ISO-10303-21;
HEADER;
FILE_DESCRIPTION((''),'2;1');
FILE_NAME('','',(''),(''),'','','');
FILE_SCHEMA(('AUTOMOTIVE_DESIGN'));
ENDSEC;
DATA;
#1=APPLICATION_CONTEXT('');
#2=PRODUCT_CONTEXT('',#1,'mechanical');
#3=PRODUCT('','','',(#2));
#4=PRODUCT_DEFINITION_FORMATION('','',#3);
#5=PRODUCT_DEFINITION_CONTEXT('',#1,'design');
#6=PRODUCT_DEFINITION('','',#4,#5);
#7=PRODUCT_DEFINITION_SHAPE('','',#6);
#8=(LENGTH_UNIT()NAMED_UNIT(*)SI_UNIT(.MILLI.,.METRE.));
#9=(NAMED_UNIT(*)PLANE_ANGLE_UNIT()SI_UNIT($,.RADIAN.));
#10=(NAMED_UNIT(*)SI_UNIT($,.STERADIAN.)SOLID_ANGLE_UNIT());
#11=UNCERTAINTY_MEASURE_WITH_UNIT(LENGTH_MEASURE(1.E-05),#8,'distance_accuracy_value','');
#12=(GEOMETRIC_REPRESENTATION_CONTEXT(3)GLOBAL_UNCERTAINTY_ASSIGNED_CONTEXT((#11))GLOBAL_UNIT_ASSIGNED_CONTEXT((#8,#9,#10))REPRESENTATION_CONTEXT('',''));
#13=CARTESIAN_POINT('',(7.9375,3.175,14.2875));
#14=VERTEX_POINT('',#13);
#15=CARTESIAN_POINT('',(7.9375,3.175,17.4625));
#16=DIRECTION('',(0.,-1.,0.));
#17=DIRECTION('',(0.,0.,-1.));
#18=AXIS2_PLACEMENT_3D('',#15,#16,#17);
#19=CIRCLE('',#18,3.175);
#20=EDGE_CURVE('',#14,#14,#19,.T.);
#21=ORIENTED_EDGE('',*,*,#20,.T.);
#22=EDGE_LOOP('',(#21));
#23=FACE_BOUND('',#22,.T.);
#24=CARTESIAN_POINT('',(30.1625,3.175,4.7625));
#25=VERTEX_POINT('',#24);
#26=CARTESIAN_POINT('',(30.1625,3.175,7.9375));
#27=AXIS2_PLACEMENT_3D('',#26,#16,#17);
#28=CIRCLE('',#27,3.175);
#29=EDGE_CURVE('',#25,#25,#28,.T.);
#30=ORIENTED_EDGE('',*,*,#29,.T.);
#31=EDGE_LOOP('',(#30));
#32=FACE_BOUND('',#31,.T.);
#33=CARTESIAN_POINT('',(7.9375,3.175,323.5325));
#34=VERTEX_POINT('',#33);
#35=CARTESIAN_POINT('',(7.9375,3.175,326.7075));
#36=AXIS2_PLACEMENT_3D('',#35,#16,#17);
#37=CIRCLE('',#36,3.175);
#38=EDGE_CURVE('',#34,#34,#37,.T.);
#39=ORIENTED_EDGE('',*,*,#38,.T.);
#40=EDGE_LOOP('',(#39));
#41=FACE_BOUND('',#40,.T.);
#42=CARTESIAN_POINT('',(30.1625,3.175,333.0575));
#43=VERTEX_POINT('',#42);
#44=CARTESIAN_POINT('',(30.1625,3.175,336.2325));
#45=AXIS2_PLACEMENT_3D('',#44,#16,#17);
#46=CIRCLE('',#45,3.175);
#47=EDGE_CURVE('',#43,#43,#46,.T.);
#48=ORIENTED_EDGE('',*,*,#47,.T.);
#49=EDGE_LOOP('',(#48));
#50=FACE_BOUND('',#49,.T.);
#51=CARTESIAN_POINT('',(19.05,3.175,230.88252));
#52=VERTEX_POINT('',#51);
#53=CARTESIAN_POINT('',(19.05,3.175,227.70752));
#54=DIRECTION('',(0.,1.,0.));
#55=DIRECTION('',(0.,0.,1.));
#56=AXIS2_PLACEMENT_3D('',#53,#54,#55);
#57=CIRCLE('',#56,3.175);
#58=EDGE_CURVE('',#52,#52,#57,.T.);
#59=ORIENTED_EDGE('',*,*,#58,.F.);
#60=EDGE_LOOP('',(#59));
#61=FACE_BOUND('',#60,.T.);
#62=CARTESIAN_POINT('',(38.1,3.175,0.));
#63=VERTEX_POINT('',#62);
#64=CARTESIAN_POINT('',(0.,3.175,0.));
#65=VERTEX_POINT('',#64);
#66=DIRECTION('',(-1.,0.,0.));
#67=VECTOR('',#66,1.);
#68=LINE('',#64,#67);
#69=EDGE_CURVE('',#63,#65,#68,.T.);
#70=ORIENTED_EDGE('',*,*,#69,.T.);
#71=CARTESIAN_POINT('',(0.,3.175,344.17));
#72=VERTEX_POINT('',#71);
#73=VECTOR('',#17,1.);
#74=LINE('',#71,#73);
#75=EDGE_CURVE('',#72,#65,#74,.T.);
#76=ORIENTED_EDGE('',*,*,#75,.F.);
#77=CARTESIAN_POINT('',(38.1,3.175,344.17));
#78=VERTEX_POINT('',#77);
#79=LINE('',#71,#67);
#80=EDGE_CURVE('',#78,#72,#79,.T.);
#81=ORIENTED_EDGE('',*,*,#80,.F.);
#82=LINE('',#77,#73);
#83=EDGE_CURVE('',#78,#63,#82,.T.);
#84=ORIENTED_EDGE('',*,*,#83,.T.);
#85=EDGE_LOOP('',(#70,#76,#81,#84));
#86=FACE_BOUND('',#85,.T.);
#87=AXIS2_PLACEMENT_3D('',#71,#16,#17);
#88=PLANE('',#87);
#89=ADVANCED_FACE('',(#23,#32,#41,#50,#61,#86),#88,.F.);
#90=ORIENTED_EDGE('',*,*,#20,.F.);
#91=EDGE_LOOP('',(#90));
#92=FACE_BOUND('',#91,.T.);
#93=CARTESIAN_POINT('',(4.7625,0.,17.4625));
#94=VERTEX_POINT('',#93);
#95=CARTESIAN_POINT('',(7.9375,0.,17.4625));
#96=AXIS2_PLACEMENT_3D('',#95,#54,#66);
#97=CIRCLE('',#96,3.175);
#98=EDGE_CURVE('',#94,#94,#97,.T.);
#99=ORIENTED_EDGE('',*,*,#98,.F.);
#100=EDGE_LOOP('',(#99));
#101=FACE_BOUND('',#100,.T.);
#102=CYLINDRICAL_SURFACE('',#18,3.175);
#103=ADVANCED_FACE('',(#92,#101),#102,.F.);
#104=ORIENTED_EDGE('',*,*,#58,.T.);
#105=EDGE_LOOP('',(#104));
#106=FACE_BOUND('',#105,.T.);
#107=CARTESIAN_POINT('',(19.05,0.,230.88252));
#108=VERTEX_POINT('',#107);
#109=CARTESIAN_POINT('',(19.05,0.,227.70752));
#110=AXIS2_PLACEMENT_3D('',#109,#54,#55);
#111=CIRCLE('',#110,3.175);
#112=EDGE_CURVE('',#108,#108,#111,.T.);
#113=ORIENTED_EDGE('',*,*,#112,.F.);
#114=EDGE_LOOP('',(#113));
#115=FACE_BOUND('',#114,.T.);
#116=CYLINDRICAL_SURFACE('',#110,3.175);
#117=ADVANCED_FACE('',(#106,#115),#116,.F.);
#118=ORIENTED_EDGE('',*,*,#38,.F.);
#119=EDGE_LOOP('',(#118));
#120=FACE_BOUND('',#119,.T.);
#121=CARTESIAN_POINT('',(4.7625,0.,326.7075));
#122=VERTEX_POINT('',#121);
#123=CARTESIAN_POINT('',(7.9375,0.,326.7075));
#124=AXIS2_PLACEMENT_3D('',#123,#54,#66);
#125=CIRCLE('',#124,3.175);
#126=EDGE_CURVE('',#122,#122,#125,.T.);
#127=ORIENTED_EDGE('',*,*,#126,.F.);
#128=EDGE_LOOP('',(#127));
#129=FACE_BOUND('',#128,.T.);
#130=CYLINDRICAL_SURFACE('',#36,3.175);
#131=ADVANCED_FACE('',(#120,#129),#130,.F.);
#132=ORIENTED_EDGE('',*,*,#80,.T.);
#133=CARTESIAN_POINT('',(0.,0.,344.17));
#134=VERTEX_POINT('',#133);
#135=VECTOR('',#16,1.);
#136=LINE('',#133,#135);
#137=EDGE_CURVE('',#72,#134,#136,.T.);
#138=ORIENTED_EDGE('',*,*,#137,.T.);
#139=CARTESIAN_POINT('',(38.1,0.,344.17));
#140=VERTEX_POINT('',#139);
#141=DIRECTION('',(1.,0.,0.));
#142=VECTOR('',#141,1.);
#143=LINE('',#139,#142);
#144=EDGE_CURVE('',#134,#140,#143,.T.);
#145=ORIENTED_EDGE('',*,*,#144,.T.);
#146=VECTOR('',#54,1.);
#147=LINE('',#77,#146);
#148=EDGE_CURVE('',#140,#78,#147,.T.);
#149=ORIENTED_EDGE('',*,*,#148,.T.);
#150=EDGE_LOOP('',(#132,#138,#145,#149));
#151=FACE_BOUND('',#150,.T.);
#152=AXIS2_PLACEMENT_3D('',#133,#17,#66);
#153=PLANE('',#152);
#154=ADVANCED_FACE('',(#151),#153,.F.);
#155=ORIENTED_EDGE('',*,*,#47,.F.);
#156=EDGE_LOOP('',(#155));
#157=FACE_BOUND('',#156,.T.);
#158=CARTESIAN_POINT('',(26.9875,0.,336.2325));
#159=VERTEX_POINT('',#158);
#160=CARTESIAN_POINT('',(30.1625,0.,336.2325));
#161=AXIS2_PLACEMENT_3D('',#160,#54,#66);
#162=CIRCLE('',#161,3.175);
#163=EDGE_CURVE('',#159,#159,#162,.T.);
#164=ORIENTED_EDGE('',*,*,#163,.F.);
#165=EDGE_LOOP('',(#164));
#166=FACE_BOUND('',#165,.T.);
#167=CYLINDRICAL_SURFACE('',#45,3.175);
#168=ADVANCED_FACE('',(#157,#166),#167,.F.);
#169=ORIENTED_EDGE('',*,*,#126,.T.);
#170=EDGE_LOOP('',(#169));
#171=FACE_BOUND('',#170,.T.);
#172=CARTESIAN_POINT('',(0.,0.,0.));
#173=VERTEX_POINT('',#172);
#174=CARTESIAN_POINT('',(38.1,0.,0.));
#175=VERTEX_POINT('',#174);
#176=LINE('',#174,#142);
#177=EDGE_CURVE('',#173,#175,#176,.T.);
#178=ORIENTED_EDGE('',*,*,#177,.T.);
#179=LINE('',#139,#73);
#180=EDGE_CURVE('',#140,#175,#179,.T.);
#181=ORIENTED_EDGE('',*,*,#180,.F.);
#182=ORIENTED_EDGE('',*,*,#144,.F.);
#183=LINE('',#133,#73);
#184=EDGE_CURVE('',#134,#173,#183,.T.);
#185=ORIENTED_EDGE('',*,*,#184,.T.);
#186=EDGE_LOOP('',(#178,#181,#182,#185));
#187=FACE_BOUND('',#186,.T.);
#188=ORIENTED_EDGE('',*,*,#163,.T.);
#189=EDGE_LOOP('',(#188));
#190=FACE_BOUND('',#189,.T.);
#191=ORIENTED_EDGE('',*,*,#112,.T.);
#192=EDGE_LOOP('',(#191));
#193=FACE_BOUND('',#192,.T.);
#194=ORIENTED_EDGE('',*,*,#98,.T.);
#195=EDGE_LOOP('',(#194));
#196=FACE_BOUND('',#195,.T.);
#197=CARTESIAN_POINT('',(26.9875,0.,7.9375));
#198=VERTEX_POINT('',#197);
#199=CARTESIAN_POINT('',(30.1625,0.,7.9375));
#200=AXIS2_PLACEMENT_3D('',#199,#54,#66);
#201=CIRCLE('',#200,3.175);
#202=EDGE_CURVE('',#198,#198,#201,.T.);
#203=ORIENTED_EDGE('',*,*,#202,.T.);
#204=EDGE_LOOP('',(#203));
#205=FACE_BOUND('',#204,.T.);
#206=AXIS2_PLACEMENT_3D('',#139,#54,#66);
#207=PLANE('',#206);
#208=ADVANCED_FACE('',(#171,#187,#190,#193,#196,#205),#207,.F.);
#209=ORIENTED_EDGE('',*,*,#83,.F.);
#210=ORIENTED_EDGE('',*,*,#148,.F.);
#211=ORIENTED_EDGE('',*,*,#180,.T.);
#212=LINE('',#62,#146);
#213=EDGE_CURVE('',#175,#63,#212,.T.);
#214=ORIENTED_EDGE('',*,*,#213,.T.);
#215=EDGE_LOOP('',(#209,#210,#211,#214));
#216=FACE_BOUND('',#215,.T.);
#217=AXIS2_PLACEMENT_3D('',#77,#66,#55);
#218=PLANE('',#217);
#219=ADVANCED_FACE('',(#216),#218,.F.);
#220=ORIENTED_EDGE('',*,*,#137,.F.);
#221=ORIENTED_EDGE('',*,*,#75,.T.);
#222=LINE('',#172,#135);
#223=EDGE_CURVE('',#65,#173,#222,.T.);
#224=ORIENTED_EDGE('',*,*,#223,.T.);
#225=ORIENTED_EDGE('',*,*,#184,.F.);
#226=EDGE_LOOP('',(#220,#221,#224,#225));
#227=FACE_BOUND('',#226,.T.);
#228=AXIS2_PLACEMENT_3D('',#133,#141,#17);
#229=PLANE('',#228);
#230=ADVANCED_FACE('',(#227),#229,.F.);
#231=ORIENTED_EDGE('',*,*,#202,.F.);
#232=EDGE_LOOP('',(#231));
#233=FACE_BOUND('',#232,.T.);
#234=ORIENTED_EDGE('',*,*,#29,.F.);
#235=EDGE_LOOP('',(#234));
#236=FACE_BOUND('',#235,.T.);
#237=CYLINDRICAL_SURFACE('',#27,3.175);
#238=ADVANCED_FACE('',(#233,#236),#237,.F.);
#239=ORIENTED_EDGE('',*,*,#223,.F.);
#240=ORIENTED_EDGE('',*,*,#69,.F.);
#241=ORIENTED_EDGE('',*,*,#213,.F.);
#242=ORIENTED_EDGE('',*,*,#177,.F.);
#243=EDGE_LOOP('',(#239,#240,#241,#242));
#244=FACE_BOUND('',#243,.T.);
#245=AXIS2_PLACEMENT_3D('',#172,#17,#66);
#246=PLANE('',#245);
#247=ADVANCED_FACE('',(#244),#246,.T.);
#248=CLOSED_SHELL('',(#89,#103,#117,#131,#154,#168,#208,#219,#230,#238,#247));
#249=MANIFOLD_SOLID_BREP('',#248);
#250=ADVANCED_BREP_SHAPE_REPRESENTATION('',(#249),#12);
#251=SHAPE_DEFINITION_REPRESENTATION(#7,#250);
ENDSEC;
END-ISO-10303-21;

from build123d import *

# Parameters (mm, degrees)
SKETCH1_W               = 38.1
SKETCH1_H               = 3.175
BOSS_EXTRUDE1_DEPTH     = 344.17
SKETCH3_R               = 3.175
CUT_EXTRUDE1_DEPTH      = 4.175
SKETCH4_R               = 3.175
CUT_EXTRUDE2_DEPTH      = 1
CUT_EXTRUDE2_DEPTH_BACK = 4.175


with BuildPart() as part:
    # Sketch1 → Boss-Extrude1 (new body)
    with BuildSketch(Plane.XY):
        with Locations((19.05, 1.5875)):
            Rectangle(SKETCH1_W, SKETCH1_H)
    extrude(amount=BOSS_EXTRUDE1_DEPTH)

    # Sketch3 → Cut-Extrude1 (cut, through all)
    with BuildSketch(Plane(origin=(0, 3.175, 0), x_dir=(1, 0, 0), z_dir=(0, 1, 0))):
        with Locations((19.05, -227.7075202)):
            Circle(SKETCH3_R)
    extrude(amount=-CUT_EXTRUDE1_DEPTH, mode=Mode.SUBTRACT)

    # Sketch4 → Cut-Extrude2 (cut, two sides)
    with BuildSketch(Plane.XZ) as cut_extrude2_sk:
        with Locations((30.1625, 336.2325)):
            Circle(SKETCH4_R)
        with Locations((7.9375, 326.7075)):
            Circle(SKETCH4_R)
        with Locations((7.9375, 17.4625)):
            Circle(SKETCH4_R)
        with Locations((30.1625, 7.9375)):
            Circle(SKETCH4_R)
    extrude(amount=CUT_EXTRUDE2_DEPTH, mode=Mode.SUBTRACT)
    extrude(cut_extrude2_sk.sketch, amount=-CUT_EXTRUDE2_DEPTH_BACK, mode=Mode.SUBTRACT)


solid = part.part
